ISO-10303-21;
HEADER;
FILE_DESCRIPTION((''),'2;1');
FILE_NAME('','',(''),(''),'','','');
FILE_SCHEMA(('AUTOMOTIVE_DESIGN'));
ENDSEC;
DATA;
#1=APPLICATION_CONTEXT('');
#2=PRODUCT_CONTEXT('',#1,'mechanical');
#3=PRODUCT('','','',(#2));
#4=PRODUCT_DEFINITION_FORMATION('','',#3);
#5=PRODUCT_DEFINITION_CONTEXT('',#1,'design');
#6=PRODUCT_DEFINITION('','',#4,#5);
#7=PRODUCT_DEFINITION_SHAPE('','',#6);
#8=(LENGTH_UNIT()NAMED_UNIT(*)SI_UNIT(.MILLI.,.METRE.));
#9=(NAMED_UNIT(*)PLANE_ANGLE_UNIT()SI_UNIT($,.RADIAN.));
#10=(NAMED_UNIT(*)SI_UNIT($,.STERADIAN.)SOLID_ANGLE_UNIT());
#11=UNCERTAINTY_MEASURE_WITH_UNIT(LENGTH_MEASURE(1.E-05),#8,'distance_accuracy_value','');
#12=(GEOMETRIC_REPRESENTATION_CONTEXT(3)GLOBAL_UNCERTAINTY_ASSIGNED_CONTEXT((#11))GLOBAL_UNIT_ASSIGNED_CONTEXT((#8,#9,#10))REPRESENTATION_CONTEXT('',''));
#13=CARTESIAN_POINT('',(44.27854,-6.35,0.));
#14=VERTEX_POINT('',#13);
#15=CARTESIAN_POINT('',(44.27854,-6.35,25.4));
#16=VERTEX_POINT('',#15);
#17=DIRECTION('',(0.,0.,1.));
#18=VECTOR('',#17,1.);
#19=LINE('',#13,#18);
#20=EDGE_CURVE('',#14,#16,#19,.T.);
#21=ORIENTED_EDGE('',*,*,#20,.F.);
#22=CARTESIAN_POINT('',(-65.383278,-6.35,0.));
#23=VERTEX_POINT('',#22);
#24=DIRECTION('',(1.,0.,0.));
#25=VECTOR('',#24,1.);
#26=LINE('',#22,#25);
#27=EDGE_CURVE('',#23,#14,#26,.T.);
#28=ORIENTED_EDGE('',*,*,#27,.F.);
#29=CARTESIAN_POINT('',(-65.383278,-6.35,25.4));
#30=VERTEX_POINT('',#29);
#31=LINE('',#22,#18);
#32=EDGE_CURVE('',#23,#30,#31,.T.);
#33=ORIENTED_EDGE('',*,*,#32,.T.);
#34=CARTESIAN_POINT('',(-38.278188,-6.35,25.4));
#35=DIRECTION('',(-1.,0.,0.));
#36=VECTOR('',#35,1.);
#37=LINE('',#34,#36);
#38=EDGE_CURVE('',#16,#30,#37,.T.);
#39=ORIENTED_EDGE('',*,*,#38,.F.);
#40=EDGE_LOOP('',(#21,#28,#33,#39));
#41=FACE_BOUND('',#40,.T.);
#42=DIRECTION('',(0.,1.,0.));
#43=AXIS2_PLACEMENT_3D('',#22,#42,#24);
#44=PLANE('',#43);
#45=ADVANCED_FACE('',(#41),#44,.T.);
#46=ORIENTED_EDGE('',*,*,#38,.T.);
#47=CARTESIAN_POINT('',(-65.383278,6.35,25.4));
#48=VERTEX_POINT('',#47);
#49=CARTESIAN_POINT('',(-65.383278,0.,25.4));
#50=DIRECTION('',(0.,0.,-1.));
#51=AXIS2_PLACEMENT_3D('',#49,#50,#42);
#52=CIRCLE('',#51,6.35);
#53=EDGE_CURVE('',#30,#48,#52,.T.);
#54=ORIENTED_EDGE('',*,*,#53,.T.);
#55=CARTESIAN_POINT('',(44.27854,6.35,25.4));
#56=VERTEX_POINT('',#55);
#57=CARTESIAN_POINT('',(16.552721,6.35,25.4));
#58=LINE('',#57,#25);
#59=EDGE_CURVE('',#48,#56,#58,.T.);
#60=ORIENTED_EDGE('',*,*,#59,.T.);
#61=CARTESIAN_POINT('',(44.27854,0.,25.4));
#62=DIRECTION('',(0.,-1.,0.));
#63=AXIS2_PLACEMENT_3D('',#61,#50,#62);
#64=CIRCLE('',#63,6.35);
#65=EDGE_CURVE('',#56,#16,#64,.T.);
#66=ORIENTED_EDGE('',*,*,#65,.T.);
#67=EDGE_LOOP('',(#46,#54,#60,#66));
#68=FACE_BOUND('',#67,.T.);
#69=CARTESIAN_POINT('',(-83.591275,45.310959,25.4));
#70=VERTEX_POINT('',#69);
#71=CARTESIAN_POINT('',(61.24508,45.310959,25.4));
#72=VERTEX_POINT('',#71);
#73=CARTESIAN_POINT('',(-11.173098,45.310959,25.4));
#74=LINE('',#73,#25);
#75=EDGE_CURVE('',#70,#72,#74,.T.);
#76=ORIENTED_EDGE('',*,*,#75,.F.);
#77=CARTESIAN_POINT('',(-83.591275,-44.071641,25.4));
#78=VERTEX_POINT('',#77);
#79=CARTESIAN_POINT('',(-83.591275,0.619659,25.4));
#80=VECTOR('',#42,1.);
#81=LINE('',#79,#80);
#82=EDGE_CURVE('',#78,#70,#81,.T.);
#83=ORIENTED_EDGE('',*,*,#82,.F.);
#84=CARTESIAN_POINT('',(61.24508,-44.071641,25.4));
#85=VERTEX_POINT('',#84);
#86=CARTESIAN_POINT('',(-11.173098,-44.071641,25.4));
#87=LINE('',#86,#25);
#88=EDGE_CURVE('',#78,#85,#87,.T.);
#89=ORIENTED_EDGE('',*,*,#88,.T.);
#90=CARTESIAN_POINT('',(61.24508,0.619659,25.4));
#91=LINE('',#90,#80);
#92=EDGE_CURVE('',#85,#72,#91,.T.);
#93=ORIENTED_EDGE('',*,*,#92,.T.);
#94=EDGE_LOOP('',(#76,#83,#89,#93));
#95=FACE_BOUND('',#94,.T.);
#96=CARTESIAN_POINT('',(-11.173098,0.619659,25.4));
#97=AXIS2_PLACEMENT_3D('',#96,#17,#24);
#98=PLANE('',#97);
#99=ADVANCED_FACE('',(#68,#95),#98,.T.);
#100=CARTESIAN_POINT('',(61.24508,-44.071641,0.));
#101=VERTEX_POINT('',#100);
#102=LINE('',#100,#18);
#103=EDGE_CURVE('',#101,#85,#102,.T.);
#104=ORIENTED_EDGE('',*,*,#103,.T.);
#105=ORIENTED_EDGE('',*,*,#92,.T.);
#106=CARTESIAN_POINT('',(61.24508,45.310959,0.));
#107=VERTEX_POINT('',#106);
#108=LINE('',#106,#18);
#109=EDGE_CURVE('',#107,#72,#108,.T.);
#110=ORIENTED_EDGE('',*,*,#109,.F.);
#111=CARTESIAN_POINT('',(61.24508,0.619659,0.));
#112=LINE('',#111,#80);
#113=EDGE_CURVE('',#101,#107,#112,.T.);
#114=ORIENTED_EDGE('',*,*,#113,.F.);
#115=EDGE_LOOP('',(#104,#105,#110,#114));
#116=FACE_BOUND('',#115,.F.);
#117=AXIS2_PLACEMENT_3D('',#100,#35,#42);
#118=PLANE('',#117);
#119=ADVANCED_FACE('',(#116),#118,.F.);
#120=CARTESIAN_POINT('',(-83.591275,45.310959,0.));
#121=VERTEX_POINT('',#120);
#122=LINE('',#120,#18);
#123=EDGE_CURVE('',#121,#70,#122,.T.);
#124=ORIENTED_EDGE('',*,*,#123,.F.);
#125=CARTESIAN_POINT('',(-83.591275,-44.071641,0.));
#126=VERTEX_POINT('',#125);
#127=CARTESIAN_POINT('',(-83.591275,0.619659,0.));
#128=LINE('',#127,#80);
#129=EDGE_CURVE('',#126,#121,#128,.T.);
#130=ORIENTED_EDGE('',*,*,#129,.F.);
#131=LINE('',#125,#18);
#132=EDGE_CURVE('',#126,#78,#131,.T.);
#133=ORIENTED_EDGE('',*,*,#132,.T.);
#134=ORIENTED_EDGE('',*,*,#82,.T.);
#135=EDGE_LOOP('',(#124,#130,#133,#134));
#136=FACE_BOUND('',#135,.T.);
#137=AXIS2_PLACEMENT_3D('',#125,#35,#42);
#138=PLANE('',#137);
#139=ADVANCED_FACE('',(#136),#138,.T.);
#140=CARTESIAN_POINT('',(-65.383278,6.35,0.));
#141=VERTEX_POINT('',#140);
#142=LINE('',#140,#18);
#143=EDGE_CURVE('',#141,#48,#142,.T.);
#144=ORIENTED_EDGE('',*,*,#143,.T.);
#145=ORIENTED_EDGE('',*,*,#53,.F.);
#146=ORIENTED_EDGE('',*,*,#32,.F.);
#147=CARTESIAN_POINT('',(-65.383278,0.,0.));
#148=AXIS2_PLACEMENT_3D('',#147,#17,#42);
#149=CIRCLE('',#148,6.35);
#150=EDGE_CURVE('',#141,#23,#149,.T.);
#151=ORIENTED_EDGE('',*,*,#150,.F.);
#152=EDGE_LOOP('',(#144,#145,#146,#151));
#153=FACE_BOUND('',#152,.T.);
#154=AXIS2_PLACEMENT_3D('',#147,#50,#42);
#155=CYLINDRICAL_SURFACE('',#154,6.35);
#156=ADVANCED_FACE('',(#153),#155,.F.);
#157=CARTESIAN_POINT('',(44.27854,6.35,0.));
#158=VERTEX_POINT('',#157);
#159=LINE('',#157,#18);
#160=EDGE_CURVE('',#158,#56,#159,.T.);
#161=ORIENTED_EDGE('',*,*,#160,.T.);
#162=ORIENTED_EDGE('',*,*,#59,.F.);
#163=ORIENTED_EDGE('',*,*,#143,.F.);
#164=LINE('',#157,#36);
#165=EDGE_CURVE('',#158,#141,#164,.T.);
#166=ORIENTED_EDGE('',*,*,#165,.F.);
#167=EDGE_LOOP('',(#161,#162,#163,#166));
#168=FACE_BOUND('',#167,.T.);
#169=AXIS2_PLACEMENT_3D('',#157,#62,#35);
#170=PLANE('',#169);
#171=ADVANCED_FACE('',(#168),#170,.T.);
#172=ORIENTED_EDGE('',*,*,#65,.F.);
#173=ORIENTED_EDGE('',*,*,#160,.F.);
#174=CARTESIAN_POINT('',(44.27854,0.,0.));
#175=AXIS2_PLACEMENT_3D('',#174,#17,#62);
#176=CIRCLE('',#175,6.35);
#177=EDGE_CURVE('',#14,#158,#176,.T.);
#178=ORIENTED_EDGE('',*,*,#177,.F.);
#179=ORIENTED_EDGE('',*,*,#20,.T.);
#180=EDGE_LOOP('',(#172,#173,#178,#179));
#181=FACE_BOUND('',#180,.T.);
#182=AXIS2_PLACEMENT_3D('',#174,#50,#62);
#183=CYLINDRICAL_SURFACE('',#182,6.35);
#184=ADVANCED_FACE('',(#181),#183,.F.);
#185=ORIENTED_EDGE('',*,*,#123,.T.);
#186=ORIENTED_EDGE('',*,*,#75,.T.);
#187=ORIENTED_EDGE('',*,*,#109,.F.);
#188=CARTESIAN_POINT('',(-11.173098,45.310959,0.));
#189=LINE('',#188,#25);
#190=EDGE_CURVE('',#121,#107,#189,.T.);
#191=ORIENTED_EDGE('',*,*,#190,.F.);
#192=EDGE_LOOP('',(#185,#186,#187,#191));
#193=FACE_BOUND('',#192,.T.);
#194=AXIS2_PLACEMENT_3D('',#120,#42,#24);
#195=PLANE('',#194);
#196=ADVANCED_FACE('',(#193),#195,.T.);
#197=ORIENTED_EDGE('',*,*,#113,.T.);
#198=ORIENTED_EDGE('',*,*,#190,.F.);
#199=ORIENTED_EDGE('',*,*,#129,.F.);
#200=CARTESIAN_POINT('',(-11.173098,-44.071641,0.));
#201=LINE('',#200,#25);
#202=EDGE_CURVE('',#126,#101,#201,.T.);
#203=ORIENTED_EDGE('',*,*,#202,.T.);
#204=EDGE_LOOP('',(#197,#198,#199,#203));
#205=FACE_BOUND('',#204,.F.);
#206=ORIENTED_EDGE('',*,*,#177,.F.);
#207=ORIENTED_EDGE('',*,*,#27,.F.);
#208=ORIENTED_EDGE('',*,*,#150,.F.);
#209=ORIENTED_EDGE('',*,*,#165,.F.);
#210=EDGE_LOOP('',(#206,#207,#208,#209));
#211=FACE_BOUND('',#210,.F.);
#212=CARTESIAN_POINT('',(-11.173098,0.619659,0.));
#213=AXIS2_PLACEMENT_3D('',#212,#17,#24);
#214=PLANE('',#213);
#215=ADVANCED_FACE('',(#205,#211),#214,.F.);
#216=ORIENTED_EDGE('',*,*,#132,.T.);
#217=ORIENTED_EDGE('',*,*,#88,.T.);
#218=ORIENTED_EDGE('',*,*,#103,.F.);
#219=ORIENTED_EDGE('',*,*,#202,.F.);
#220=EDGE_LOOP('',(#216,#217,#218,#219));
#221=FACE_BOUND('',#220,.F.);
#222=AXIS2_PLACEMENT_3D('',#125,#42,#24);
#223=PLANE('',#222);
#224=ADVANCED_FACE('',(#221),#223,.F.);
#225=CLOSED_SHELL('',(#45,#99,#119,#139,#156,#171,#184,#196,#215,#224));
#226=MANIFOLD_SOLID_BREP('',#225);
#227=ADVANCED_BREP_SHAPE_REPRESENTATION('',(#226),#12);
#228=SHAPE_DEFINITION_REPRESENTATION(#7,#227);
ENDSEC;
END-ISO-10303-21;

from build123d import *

# Parameters (mm, degrees)
F0_W     = 144.836355
F0_H     = 89.3826
F2_DEPTH = 25.4
F3_DEPTH = 25.401


with BuildPart() as f2:
    # F0 (on Top) → F2 (new body)
    with BuildSketch(Plane.XY):
        with Locations((-11.173098, 0.619659)):
            Rectangle(F0_W, F0_H)
    extrude(amount=F2_DEPTH)

    # F1 (on Top) → F3 (cut, through all)
    with BuildSketch(Plane.XY):
        with BuildLine():
            ThreePointArc((-65.383278, 6.35), (-71.733278, 0), (-65.383278, -6.35))
            Line((-65.383278, -6.35), (44.27854, -6.35))
            ThreePointArc((44.27854, -6.35), (50.62854, 0), (44.27854, 6.35))
            Line((44.27854, 6.35), (-65.383278, 6.35))
        make_face()
    extrude(amount=F3_DEPTH, mode=Mode.SUBTRACT)


solid = f2.part
